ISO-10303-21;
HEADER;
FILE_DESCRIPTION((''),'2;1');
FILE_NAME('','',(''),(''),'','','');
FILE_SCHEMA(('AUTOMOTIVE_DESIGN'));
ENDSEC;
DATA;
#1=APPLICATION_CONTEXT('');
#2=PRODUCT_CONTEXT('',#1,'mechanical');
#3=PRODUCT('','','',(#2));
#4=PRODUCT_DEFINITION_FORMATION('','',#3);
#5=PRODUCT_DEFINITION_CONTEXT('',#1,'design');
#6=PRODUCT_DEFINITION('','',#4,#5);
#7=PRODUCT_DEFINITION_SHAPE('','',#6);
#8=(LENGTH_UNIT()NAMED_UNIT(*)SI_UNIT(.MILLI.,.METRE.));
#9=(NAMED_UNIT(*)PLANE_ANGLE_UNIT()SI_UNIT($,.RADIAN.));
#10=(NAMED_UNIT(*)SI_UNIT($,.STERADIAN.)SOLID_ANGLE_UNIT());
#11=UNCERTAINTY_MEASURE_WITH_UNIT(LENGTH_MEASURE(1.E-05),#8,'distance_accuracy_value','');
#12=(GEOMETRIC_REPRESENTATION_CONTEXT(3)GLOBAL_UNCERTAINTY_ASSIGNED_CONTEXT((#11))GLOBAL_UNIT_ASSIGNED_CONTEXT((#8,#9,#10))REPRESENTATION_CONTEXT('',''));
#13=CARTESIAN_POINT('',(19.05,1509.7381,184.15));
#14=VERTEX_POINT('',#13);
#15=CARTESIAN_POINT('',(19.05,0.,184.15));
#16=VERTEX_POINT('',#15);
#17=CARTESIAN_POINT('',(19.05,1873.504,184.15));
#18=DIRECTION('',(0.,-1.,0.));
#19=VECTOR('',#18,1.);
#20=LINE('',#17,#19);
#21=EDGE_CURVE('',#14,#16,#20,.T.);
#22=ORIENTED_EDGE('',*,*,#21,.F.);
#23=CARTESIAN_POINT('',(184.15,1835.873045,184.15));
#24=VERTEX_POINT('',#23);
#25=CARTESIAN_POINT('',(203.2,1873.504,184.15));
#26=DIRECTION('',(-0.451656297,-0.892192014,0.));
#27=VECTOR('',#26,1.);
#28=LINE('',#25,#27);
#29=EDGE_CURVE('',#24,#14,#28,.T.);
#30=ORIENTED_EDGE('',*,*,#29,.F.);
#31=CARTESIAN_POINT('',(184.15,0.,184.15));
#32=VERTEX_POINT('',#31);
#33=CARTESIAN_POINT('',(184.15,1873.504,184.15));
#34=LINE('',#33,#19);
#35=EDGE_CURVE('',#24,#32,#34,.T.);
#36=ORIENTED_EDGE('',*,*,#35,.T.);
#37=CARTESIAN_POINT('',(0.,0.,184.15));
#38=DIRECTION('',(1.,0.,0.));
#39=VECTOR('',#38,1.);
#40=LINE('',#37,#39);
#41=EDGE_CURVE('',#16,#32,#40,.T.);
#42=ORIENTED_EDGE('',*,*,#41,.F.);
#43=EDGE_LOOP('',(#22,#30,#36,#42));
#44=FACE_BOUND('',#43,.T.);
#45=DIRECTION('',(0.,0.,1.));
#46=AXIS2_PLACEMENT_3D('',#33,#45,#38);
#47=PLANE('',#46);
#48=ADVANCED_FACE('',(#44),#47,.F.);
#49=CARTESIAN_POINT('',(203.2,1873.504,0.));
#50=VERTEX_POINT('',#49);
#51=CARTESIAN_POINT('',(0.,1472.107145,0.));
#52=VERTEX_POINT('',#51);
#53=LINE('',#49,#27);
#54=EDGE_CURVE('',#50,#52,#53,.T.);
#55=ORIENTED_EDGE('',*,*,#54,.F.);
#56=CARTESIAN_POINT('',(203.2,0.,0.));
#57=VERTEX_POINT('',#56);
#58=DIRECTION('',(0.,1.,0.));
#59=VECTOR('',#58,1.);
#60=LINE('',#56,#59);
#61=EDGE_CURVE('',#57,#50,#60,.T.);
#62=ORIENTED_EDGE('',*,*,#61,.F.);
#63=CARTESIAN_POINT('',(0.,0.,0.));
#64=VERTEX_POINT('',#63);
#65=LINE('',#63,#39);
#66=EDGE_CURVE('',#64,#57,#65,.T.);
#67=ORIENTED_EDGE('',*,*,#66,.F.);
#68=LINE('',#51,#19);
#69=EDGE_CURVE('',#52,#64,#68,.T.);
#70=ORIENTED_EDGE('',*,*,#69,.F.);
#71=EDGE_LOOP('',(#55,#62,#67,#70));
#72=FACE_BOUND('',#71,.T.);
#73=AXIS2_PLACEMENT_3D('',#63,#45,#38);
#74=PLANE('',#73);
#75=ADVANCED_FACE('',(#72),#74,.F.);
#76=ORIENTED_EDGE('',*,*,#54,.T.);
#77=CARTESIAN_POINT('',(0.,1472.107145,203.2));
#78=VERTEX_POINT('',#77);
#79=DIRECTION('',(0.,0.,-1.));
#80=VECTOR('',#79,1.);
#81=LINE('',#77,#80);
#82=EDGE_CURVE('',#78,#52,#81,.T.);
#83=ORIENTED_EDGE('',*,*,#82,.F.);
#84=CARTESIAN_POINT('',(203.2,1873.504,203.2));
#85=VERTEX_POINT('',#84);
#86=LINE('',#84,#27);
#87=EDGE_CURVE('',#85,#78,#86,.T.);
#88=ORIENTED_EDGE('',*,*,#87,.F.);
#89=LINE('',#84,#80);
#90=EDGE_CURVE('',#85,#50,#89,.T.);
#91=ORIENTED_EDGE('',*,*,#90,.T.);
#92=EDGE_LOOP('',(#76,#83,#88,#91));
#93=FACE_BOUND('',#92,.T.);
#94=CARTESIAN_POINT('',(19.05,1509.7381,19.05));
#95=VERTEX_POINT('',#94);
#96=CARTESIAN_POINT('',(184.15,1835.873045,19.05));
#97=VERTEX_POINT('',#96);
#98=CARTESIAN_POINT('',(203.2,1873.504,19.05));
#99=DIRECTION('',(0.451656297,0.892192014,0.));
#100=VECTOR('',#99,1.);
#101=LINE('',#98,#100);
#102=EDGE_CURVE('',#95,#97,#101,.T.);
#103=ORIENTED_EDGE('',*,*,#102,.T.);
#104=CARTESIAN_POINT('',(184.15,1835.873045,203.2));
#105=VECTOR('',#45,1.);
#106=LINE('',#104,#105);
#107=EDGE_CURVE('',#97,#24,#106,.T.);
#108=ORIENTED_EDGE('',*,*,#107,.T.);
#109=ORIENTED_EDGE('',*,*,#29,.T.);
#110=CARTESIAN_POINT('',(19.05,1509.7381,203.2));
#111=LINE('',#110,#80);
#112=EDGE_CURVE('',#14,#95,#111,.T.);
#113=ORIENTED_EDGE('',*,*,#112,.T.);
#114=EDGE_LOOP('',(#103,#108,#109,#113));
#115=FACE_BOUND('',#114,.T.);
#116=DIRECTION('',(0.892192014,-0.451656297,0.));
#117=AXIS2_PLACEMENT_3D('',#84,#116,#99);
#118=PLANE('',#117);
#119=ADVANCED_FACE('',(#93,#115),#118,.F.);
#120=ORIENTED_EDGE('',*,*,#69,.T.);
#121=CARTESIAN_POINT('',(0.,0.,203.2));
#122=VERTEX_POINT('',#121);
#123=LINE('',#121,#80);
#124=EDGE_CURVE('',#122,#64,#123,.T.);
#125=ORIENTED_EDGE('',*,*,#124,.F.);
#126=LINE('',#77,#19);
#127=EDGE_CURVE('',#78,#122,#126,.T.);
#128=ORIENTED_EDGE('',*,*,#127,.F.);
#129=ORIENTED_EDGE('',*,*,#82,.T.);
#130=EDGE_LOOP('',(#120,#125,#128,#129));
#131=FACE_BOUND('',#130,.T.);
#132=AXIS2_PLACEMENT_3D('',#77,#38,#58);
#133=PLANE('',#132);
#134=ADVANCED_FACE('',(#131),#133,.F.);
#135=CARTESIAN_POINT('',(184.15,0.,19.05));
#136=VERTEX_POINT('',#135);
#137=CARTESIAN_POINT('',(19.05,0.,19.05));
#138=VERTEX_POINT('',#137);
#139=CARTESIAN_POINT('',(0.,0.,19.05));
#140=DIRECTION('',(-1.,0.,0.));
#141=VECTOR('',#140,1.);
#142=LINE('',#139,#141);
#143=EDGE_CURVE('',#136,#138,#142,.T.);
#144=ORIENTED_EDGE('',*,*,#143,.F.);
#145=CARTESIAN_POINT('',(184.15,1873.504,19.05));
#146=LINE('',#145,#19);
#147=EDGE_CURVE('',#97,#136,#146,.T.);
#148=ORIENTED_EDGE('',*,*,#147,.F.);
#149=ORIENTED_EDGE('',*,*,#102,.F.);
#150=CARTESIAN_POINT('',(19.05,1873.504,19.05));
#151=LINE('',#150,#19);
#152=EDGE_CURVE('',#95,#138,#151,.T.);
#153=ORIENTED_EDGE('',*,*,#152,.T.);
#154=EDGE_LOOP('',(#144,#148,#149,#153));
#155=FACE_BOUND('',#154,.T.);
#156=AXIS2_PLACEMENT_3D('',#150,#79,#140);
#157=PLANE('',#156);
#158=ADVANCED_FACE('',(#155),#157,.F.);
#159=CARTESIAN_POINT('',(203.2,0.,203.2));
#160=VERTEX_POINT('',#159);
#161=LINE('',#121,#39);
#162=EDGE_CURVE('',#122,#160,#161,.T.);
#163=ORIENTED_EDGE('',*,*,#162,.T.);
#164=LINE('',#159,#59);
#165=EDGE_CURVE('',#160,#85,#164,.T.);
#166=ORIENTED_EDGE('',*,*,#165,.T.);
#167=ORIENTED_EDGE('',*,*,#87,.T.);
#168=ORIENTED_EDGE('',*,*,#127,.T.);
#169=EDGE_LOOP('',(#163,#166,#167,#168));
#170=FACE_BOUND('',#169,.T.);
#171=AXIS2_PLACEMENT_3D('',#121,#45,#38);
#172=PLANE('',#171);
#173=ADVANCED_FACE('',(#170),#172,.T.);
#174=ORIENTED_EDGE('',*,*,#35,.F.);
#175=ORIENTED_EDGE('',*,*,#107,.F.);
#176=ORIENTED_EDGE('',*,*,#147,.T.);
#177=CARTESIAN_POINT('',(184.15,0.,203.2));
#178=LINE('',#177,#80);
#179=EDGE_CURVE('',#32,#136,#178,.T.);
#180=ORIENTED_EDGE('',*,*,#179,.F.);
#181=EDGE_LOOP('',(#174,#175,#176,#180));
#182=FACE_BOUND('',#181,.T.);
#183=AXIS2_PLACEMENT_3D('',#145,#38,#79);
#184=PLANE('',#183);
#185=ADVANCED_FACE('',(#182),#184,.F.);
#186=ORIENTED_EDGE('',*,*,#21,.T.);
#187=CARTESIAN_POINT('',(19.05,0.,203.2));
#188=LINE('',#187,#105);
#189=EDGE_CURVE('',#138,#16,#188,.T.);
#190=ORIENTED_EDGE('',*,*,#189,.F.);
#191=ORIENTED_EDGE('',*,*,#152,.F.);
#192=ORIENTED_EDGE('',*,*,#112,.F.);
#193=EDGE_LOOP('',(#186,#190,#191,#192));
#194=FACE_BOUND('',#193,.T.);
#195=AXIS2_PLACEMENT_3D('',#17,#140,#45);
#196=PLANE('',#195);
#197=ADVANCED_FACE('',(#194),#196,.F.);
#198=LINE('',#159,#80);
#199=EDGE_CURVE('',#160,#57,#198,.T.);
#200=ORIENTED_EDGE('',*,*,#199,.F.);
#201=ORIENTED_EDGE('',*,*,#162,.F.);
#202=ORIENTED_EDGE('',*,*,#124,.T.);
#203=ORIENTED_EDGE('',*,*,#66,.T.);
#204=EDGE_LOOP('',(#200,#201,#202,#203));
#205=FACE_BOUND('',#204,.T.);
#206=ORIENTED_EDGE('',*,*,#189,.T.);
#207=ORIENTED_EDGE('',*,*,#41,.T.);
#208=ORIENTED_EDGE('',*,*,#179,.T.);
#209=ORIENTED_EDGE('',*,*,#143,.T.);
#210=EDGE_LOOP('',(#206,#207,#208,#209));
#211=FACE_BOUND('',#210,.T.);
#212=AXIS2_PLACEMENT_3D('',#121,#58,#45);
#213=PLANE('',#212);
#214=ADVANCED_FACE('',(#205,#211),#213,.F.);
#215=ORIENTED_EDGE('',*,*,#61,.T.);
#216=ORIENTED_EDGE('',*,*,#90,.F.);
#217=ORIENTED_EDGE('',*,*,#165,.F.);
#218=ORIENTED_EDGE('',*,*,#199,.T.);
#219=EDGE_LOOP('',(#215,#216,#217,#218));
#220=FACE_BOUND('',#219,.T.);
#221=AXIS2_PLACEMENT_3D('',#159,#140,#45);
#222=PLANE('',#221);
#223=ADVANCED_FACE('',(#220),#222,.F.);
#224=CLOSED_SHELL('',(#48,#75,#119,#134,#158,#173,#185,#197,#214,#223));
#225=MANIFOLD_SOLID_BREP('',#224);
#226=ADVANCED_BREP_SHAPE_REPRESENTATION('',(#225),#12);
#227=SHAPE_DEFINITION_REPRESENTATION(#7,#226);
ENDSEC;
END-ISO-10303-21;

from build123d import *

# Parameters (mm, degrees)
BOSS_EXTRUDE1_DEPTH     = 203.2
SKETCH2_W               = 165.1
SKETCH2_H               = 165.1
CUT_EXTRUDE1_DEPTH      = 1
CUT_EXTRUDE1_DEPTH_BACK = 1874.504


with BuildPart() as part:
    # Sketch1 → Boss-Extrude1 (new body)
    with BuildSketch(Plane.XY):
        Polygon((0, 0), (203.2, 0), (203.2, 1873.504), (0, 1472.107144898), align=None)
    extrude(amount=BOSS_EXTRUDE1_DEPTH)

    # Sketch2 → Cut-Extrude1 (cut, two sides)
    with BuildSketch(Plane.XZ) as cut_extrude1_sk:
        with Locations((101.6, 101.6)):
            Rectangle(SKETCH2_W, SKETCH2_H)
    extrude(amount=CUT_EXTRUDE1_DEPTH, mode=Mode.SUBTRACT)
    extrude(cut_extrude1_sk.sketch, amount=-CUT_EXTRUDE1_DEPTH_BACK, mode=Mode.SUBTRACT)


solid = part.part
